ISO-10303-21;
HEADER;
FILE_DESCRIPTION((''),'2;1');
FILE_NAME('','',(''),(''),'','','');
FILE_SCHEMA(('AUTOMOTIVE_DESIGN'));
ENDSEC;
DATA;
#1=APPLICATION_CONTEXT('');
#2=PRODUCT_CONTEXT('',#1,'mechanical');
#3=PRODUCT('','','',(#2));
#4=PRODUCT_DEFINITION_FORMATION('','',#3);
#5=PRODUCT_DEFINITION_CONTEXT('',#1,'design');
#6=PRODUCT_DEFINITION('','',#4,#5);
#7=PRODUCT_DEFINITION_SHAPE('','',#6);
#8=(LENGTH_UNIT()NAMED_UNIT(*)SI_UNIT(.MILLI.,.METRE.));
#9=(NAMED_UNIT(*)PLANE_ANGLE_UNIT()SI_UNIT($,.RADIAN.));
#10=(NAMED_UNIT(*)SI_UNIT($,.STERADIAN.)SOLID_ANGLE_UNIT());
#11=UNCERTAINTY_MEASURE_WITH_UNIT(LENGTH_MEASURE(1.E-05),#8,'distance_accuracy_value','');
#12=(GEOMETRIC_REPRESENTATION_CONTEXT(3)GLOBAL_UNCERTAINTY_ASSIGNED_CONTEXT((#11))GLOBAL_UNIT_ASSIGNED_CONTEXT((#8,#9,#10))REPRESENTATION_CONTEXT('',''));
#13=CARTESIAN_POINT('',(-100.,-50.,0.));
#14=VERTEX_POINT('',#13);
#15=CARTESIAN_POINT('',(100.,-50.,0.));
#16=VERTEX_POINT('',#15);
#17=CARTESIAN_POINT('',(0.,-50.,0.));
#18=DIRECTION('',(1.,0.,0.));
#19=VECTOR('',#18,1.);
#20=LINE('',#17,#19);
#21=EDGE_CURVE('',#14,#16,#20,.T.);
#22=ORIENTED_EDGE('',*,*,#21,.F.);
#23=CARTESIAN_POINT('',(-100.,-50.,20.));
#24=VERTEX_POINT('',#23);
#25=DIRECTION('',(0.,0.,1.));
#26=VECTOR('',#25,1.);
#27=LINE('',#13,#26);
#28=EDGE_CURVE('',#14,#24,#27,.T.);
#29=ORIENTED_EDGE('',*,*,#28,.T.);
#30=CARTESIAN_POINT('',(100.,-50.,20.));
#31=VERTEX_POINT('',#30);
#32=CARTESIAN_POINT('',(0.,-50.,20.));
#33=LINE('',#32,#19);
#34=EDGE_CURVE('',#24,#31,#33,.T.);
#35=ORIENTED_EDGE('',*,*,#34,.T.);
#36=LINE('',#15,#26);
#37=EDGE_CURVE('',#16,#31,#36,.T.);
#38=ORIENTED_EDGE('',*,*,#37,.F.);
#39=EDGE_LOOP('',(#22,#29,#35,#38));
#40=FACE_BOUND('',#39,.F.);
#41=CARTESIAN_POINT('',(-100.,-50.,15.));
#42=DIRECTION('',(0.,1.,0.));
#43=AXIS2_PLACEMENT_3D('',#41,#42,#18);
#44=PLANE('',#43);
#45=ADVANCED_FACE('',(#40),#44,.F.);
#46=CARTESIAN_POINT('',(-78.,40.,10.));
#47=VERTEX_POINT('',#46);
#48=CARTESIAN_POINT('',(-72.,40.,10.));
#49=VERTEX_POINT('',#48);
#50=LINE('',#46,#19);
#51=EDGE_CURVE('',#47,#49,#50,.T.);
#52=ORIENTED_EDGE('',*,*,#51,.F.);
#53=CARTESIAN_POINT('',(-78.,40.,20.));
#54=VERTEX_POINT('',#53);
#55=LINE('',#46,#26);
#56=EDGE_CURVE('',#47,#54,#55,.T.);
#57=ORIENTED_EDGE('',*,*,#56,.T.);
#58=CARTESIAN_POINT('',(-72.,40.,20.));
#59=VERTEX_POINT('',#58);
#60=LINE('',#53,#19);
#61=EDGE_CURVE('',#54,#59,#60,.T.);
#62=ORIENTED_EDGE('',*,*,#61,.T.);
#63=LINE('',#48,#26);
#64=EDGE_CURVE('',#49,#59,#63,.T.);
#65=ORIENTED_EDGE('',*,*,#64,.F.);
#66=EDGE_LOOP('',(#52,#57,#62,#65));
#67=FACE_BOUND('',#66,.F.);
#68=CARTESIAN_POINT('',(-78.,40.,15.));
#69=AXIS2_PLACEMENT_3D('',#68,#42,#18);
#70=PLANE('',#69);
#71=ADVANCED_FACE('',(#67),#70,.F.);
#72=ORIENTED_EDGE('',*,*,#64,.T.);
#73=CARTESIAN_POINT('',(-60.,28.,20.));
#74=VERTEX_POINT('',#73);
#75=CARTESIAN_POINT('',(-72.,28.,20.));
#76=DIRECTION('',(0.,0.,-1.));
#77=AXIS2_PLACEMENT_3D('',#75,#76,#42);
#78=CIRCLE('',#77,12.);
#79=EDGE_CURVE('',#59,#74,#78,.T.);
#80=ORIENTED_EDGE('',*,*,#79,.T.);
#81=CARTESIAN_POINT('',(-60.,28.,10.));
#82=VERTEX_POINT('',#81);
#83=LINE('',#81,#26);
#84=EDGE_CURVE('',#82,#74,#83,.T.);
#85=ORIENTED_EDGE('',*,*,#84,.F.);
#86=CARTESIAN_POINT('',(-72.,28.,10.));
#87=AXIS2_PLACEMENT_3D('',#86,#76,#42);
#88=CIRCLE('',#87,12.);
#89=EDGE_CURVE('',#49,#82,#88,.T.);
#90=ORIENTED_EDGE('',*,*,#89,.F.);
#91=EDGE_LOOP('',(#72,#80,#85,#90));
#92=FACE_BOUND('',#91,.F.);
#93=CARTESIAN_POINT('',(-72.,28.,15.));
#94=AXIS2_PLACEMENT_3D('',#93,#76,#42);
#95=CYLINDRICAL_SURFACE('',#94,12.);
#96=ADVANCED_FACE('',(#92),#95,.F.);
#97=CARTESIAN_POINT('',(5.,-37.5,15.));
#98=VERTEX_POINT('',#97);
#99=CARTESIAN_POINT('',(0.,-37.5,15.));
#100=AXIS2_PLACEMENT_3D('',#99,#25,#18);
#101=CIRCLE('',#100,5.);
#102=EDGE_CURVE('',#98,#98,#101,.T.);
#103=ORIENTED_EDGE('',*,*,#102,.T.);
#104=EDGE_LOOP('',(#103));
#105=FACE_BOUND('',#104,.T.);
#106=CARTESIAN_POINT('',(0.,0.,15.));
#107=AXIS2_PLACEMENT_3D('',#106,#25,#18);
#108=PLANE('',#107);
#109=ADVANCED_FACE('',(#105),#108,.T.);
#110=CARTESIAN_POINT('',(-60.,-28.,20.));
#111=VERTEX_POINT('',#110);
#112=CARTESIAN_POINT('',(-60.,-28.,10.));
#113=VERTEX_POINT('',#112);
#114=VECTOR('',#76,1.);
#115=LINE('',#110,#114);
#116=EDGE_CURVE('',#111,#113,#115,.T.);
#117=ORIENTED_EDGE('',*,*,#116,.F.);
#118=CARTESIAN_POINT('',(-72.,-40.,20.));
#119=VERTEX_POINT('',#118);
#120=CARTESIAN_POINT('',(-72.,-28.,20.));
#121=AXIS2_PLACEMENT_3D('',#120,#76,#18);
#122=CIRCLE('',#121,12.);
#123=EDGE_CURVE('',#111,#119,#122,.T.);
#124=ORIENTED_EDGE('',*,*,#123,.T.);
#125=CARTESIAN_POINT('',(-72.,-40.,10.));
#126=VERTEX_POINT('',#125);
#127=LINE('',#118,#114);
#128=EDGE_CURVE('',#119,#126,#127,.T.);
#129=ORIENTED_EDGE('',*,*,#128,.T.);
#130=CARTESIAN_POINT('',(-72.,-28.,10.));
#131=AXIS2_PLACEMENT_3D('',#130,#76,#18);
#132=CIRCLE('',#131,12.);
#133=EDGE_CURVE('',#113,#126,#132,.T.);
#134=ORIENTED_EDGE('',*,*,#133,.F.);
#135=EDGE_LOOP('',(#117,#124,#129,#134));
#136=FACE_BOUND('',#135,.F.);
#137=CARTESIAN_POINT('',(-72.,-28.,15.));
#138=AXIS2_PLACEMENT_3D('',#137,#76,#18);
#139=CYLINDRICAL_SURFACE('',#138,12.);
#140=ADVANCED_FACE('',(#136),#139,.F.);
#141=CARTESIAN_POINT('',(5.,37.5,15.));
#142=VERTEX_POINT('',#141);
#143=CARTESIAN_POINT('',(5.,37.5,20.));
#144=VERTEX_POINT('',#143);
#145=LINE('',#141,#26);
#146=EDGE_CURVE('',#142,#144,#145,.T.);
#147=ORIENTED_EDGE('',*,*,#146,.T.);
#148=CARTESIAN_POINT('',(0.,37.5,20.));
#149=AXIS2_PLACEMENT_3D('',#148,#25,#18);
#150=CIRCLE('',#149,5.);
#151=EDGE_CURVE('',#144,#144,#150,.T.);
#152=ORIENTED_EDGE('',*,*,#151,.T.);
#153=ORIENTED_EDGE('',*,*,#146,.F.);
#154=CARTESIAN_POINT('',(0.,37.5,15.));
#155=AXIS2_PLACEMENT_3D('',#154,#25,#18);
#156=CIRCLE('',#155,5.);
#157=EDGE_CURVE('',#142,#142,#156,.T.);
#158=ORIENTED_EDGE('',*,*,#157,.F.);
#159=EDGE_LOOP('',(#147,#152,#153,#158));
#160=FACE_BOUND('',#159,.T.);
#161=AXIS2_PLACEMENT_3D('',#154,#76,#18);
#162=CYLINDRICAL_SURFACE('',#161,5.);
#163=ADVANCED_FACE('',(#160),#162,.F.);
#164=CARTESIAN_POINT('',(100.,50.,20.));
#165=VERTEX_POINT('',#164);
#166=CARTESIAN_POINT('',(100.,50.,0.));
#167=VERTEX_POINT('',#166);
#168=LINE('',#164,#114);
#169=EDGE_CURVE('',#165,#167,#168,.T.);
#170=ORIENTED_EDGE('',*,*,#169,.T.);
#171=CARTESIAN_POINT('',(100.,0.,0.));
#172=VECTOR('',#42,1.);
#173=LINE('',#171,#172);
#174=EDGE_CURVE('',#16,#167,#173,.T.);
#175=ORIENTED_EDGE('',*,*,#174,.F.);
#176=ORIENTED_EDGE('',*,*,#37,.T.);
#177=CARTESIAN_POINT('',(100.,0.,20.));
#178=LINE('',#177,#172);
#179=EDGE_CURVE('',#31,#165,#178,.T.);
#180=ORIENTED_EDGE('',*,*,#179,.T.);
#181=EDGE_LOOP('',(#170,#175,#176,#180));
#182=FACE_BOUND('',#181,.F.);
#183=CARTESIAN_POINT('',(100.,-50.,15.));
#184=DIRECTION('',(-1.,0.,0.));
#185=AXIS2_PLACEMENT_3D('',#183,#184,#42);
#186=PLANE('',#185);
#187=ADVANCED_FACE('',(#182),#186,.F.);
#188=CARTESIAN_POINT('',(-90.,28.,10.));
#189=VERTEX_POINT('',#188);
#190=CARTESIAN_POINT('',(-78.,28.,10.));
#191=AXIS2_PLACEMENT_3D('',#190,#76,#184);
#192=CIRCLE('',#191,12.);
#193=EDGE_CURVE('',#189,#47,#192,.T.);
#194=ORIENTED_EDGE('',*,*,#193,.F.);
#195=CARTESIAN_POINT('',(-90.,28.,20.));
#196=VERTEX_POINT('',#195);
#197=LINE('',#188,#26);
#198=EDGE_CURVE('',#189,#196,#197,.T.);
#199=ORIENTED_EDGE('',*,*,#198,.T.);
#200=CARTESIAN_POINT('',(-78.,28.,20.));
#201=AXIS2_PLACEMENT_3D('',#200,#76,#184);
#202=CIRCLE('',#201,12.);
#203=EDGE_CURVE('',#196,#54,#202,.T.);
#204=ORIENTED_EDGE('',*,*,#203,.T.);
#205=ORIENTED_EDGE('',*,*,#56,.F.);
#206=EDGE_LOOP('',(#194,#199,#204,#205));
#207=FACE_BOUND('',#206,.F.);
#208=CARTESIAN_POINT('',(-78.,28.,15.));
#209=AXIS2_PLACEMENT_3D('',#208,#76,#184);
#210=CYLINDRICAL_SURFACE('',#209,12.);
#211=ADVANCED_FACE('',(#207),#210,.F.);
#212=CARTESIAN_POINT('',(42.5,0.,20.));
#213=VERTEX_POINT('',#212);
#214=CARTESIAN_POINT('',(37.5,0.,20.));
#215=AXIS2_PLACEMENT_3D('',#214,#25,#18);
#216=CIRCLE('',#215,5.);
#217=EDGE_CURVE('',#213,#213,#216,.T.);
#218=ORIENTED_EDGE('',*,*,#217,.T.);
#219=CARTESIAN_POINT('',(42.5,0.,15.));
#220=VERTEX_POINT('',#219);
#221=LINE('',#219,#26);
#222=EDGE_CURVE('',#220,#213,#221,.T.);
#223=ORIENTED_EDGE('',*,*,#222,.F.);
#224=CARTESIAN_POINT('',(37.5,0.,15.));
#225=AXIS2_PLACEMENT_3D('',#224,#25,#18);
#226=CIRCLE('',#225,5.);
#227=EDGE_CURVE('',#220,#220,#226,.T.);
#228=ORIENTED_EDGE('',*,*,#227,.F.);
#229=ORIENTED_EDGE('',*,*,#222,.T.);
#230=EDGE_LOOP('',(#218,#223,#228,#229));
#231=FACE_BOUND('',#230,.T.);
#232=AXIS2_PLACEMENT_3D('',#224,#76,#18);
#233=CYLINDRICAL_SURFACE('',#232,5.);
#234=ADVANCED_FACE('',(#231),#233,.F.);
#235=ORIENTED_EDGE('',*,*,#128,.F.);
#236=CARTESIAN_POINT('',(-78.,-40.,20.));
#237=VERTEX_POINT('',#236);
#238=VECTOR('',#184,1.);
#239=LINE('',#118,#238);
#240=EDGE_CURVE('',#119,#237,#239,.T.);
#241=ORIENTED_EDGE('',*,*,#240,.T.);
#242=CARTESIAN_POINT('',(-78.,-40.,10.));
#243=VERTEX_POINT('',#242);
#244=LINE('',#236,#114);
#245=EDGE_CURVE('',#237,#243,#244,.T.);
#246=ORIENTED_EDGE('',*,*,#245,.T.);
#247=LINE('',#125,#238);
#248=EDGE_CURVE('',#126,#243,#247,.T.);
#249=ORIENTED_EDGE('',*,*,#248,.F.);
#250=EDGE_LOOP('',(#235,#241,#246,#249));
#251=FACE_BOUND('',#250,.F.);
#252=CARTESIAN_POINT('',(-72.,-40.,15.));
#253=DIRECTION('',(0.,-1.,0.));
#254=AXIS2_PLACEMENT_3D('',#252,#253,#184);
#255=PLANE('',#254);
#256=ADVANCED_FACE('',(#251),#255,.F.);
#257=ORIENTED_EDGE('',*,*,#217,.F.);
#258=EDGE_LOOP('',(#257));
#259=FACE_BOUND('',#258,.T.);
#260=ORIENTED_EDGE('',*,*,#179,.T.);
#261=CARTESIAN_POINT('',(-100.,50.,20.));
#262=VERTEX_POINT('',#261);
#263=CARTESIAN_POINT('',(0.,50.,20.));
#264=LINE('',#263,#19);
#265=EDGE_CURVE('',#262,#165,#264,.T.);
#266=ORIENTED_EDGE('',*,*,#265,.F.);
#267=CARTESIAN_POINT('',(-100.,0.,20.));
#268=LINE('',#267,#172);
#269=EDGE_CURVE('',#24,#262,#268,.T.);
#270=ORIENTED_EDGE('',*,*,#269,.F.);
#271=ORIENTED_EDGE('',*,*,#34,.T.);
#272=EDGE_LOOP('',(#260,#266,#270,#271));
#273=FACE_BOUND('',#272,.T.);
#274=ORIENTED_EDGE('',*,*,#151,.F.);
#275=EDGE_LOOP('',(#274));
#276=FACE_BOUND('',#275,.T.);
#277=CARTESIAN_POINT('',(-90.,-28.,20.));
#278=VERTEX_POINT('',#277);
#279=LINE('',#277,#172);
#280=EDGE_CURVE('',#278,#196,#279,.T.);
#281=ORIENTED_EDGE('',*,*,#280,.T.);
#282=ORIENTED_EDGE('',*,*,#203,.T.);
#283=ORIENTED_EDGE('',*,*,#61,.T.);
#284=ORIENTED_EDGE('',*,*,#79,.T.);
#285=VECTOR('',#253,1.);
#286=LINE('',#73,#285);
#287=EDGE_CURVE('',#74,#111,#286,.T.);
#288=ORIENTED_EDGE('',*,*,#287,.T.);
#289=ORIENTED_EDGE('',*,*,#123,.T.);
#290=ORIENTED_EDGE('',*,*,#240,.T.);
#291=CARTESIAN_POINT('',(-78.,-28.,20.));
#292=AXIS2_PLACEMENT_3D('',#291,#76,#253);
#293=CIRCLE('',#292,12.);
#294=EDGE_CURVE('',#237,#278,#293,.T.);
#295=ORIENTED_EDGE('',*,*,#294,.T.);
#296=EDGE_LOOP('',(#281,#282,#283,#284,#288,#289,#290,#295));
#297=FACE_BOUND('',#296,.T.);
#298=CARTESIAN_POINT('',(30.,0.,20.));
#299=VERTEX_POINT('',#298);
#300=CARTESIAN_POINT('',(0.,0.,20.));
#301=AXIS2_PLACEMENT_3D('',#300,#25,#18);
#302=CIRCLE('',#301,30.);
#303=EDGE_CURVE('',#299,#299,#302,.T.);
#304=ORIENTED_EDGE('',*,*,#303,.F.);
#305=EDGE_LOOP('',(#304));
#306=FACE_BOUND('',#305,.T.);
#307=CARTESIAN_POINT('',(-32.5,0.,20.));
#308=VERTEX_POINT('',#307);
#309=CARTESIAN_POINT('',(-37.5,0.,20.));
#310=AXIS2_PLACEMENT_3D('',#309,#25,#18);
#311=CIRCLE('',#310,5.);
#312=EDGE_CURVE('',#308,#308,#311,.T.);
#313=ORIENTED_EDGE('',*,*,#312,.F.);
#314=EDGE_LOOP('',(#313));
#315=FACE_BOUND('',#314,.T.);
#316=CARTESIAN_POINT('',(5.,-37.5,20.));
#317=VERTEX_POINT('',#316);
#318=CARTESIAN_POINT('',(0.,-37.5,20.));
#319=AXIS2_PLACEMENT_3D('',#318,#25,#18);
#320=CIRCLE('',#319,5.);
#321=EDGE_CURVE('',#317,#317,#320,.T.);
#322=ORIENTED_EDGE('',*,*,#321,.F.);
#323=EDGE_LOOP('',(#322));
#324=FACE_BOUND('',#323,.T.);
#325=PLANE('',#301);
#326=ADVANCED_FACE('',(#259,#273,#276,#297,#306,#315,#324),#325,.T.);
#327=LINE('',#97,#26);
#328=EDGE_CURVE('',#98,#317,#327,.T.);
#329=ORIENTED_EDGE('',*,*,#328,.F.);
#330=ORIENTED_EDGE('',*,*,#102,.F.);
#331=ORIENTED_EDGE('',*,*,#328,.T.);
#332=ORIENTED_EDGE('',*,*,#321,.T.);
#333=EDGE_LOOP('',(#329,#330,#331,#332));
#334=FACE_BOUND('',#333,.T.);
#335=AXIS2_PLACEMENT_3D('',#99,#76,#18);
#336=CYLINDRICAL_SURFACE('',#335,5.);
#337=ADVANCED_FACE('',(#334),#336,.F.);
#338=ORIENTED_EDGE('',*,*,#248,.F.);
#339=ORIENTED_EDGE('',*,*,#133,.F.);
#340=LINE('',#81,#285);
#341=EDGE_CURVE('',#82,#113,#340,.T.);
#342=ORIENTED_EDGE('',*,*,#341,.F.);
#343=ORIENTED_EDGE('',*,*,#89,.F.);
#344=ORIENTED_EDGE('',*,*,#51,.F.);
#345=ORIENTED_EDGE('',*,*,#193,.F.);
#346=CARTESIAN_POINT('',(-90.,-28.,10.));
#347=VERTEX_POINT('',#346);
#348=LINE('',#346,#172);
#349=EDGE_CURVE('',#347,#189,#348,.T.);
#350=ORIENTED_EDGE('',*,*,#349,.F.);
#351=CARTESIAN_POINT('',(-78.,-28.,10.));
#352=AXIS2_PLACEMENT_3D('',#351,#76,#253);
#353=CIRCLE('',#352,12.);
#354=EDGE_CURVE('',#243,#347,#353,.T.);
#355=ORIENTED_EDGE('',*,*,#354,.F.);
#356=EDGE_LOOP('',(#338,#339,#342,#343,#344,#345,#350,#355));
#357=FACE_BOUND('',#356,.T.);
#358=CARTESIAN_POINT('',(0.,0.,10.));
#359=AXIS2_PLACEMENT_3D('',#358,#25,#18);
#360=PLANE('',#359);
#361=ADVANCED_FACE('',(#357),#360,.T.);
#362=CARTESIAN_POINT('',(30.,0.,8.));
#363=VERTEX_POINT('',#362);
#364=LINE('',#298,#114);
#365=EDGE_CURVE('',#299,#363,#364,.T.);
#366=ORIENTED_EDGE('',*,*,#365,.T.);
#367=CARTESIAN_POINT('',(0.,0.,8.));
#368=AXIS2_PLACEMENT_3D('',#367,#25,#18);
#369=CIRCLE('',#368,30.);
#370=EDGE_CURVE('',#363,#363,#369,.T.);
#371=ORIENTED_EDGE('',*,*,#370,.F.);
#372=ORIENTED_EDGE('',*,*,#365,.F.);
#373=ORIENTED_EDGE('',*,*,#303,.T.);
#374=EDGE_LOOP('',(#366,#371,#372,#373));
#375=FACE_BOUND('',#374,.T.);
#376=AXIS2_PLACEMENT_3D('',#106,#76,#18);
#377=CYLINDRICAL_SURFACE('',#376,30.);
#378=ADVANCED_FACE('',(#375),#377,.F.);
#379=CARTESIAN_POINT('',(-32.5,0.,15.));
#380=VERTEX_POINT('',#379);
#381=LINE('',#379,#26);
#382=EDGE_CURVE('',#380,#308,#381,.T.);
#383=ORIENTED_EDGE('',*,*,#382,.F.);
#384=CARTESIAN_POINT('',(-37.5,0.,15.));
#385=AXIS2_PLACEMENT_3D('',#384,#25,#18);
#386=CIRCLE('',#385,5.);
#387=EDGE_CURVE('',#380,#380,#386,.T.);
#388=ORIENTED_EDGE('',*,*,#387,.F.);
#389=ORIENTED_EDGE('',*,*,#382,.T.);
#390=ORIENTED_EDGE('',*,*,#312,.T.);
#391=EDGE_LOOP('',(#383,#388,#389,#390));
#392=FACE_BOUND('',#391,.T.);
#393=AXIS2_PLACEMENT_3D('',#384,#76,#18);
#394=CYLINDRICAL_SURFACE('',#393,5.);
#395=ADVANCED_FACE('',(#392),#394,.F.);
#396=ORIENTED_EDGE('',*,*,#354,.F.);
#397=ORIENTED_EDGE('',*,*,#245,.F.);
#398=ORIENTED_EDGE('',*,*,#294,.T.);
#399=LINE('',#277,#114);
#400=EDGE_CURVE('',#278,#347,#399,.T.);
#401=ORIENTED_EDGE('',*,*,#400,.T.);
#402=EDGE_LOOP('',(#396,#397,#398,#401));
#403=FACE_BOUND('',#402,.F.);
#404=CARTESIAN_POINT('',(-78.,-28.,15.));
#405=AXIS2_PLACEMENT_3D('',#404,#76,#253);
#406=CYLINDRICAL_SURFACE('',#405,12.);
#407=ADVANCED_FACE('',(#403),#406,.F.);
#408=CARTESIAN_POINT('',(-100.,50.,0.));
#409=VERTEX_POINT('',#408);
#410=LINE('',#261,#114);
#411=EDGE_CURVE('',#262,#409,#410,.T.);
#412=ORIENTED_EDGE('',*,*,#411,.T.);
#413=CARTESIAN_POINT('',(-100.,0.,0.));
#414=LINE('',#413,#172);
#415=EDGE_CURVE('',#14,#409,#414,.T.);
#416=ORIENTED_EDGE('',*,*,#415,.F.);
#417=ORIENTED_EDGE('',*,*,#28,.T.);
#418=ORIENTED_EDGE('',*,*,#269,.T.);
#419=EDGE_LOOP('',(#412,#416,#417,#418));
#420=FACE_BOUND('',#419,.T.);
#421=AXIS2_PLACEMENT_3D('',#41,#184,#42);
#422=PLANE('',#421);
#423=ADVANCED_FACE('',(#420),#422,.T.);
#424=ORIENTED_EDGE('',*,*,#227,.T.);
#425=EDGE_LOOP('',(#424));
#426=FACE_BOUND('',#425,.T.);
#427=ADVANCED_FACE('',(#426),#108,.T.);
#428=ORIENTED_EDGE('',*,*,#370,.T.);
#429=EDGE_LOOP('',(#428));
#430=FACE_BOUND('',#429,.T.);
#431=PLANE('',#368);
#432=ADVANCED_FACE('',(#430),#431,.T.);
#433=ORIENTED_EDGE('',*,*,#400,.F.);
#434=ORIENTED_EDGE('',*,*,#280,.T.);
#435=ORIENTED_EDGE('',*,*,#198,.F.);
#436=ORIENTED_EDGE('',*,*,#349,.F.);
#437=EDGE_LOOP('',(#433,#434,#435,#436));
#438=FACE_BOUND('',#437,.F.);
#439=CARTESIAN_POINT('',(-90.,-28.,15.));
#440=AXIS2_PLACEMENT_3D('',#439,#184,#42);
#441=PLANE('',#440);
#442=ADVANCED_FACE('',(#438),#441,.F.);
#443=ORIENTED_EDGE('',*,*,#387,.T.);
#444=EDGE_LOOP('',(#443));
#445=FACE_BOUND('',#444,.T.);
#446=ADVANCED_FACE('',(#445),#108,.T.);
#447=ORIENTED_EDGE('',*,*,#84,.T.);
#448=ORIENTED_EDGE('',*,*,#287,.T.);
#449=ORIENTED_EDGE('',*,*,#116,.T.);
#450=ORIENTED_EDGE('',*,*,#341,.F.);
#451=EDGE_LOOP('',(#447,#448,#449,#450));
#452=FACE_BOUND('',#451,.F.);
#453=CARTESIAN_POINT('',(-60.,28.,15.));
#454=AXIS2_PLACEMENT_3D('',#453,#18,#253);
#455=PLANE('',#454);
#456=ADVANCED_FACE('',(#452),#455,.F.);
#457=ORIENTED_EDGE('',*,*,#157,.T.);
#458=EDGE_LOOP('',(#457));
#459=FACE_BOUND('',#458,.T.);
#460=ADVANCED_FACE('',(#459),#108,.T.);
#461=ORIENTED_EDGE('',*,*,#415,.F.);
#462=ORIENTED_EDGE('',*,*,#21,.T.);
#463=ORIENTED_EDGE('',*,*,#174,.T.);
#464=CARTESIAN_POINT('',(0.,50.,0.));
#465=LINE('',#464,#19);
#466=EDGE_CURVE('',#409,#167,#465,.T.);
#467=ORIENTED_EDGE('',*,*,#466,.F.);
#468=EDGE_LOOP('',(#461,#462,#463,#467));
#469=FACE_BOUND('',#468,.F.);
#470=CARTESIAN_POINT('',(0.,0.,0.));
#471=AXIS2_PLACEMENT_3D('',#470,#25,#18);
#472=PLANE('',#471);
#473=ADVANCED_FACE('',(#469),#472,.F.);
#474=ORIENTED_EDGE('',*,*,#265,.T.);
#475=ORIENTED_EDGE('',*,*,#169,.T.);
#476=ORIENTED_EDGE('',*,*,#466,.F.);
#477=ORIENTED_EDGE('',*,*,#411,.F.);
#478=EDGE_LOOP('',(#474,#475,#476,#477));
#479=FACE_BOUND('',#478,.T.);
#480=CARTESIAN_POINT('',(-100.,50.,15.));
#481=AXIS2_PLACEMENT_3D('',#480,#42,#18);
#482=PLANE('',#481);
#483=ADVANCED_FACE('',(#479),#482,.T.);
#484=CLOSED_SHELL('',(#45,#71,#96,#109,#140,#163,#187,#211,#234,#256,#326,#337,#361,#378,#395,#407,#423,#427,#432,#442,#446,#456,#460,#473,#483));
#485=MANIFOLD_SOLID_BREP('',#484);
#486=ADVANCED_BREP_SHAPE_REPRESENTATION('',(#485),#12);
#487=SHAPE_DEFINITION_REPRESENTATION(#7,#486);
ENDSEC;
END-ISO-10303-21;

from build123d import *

# Parameters (mm, degrees)
F0_W     = 200
F0_H     = 100
F1_DEPTH = 8
F2_W     = 200
F2_H     = 100
F2_R     = 30
F3_DEPTH = 2
F4_W     = 200
F4_H     = 100
F4_R     = 30
F5_DEPTH = 5
F6_R     = 45
F6_R_2   = 5
F6_R_3   = 30
F7_DEPTH = 5
F8_DEPTH = 5


with BuildPart() as f1:
    # F0 (on Top) → F1 (new body)
    with BuildSketch(Plane.XY):
        Rectangle(F0_W, F0_H)
    extrude(amount=F1_DEPTH)

    # F2 (on face) → F3 (join)
    with BuildSketch(Plane.XY.offset(8)):
        Rectangle(F2_W, F2_H)
        Circle(F2_R, mode=Mode.SUBTRACT)
    extrude(amount=F3_DEPTH)

    # F4 (on face) → F5 (join)
    with BuildSketch(Plane.XY.offset(10)):
        Rectangle(F4_W, F4_H)
        with BuildLine():
            ThreePointArc((-90, 28), (-86.4852813742, 36.4852813742), (-78, 40))
            Line((-78, 40), (-72, 40))
            ThreePointArc((-72, 40), (-63.5147186258, 36.4852813742), (-60, 28))
            Line((-60, 28), (-60, -28))
            ThreePointArc((-60, -28), (-63.5147186258, -36.4852813742), (-72, -40))
            Line((-72, -40), (-78, -40))
            ThreePointArc((-78, -40), (-86.4852813742, -36.4852813742), (-90, -28))
            Line((-90, -28), (-90, 28))
        make_face(mode=Mode.SUBTRACT)
        Circle(F4_R, mode=Mode.SUBTRACT)
    extrude(amount=F5_DEPTH)

    # F6 (on face) → F7 (join)
    with BuildSketch(Plane.XY.offset(15)):
        Circle(F6_R)
        with Locations((0, -37.5)):
            Circle(F6_R_2, mode=Mode.SUBTRACT)
        with Locations((-37.5, 0)):
            Circle(F6_R_2, mode=Mode.SUBTRACT)
        Circle(F6_R_3, mode=Mode.SUBTRACT)
        with Locations((37.5, 0)):
            Circle(F6_R_2, mode=Mode.SUBTRACT)
        with Locations((0, 37.5)):
            Circle(F6_R_2, mode=Mode.SUBTRACT)
    extrude(amount=F7_DEPTH)

    # F8 (add): a face of the model
    f8_faces = [f1.faces().sort_by_distance(p)[0] for p in [
        (97.7639320225, 0, 15),
    ]]
    extrude(f8_faces, amount=F8_DEPTH)


solid = f1.part
